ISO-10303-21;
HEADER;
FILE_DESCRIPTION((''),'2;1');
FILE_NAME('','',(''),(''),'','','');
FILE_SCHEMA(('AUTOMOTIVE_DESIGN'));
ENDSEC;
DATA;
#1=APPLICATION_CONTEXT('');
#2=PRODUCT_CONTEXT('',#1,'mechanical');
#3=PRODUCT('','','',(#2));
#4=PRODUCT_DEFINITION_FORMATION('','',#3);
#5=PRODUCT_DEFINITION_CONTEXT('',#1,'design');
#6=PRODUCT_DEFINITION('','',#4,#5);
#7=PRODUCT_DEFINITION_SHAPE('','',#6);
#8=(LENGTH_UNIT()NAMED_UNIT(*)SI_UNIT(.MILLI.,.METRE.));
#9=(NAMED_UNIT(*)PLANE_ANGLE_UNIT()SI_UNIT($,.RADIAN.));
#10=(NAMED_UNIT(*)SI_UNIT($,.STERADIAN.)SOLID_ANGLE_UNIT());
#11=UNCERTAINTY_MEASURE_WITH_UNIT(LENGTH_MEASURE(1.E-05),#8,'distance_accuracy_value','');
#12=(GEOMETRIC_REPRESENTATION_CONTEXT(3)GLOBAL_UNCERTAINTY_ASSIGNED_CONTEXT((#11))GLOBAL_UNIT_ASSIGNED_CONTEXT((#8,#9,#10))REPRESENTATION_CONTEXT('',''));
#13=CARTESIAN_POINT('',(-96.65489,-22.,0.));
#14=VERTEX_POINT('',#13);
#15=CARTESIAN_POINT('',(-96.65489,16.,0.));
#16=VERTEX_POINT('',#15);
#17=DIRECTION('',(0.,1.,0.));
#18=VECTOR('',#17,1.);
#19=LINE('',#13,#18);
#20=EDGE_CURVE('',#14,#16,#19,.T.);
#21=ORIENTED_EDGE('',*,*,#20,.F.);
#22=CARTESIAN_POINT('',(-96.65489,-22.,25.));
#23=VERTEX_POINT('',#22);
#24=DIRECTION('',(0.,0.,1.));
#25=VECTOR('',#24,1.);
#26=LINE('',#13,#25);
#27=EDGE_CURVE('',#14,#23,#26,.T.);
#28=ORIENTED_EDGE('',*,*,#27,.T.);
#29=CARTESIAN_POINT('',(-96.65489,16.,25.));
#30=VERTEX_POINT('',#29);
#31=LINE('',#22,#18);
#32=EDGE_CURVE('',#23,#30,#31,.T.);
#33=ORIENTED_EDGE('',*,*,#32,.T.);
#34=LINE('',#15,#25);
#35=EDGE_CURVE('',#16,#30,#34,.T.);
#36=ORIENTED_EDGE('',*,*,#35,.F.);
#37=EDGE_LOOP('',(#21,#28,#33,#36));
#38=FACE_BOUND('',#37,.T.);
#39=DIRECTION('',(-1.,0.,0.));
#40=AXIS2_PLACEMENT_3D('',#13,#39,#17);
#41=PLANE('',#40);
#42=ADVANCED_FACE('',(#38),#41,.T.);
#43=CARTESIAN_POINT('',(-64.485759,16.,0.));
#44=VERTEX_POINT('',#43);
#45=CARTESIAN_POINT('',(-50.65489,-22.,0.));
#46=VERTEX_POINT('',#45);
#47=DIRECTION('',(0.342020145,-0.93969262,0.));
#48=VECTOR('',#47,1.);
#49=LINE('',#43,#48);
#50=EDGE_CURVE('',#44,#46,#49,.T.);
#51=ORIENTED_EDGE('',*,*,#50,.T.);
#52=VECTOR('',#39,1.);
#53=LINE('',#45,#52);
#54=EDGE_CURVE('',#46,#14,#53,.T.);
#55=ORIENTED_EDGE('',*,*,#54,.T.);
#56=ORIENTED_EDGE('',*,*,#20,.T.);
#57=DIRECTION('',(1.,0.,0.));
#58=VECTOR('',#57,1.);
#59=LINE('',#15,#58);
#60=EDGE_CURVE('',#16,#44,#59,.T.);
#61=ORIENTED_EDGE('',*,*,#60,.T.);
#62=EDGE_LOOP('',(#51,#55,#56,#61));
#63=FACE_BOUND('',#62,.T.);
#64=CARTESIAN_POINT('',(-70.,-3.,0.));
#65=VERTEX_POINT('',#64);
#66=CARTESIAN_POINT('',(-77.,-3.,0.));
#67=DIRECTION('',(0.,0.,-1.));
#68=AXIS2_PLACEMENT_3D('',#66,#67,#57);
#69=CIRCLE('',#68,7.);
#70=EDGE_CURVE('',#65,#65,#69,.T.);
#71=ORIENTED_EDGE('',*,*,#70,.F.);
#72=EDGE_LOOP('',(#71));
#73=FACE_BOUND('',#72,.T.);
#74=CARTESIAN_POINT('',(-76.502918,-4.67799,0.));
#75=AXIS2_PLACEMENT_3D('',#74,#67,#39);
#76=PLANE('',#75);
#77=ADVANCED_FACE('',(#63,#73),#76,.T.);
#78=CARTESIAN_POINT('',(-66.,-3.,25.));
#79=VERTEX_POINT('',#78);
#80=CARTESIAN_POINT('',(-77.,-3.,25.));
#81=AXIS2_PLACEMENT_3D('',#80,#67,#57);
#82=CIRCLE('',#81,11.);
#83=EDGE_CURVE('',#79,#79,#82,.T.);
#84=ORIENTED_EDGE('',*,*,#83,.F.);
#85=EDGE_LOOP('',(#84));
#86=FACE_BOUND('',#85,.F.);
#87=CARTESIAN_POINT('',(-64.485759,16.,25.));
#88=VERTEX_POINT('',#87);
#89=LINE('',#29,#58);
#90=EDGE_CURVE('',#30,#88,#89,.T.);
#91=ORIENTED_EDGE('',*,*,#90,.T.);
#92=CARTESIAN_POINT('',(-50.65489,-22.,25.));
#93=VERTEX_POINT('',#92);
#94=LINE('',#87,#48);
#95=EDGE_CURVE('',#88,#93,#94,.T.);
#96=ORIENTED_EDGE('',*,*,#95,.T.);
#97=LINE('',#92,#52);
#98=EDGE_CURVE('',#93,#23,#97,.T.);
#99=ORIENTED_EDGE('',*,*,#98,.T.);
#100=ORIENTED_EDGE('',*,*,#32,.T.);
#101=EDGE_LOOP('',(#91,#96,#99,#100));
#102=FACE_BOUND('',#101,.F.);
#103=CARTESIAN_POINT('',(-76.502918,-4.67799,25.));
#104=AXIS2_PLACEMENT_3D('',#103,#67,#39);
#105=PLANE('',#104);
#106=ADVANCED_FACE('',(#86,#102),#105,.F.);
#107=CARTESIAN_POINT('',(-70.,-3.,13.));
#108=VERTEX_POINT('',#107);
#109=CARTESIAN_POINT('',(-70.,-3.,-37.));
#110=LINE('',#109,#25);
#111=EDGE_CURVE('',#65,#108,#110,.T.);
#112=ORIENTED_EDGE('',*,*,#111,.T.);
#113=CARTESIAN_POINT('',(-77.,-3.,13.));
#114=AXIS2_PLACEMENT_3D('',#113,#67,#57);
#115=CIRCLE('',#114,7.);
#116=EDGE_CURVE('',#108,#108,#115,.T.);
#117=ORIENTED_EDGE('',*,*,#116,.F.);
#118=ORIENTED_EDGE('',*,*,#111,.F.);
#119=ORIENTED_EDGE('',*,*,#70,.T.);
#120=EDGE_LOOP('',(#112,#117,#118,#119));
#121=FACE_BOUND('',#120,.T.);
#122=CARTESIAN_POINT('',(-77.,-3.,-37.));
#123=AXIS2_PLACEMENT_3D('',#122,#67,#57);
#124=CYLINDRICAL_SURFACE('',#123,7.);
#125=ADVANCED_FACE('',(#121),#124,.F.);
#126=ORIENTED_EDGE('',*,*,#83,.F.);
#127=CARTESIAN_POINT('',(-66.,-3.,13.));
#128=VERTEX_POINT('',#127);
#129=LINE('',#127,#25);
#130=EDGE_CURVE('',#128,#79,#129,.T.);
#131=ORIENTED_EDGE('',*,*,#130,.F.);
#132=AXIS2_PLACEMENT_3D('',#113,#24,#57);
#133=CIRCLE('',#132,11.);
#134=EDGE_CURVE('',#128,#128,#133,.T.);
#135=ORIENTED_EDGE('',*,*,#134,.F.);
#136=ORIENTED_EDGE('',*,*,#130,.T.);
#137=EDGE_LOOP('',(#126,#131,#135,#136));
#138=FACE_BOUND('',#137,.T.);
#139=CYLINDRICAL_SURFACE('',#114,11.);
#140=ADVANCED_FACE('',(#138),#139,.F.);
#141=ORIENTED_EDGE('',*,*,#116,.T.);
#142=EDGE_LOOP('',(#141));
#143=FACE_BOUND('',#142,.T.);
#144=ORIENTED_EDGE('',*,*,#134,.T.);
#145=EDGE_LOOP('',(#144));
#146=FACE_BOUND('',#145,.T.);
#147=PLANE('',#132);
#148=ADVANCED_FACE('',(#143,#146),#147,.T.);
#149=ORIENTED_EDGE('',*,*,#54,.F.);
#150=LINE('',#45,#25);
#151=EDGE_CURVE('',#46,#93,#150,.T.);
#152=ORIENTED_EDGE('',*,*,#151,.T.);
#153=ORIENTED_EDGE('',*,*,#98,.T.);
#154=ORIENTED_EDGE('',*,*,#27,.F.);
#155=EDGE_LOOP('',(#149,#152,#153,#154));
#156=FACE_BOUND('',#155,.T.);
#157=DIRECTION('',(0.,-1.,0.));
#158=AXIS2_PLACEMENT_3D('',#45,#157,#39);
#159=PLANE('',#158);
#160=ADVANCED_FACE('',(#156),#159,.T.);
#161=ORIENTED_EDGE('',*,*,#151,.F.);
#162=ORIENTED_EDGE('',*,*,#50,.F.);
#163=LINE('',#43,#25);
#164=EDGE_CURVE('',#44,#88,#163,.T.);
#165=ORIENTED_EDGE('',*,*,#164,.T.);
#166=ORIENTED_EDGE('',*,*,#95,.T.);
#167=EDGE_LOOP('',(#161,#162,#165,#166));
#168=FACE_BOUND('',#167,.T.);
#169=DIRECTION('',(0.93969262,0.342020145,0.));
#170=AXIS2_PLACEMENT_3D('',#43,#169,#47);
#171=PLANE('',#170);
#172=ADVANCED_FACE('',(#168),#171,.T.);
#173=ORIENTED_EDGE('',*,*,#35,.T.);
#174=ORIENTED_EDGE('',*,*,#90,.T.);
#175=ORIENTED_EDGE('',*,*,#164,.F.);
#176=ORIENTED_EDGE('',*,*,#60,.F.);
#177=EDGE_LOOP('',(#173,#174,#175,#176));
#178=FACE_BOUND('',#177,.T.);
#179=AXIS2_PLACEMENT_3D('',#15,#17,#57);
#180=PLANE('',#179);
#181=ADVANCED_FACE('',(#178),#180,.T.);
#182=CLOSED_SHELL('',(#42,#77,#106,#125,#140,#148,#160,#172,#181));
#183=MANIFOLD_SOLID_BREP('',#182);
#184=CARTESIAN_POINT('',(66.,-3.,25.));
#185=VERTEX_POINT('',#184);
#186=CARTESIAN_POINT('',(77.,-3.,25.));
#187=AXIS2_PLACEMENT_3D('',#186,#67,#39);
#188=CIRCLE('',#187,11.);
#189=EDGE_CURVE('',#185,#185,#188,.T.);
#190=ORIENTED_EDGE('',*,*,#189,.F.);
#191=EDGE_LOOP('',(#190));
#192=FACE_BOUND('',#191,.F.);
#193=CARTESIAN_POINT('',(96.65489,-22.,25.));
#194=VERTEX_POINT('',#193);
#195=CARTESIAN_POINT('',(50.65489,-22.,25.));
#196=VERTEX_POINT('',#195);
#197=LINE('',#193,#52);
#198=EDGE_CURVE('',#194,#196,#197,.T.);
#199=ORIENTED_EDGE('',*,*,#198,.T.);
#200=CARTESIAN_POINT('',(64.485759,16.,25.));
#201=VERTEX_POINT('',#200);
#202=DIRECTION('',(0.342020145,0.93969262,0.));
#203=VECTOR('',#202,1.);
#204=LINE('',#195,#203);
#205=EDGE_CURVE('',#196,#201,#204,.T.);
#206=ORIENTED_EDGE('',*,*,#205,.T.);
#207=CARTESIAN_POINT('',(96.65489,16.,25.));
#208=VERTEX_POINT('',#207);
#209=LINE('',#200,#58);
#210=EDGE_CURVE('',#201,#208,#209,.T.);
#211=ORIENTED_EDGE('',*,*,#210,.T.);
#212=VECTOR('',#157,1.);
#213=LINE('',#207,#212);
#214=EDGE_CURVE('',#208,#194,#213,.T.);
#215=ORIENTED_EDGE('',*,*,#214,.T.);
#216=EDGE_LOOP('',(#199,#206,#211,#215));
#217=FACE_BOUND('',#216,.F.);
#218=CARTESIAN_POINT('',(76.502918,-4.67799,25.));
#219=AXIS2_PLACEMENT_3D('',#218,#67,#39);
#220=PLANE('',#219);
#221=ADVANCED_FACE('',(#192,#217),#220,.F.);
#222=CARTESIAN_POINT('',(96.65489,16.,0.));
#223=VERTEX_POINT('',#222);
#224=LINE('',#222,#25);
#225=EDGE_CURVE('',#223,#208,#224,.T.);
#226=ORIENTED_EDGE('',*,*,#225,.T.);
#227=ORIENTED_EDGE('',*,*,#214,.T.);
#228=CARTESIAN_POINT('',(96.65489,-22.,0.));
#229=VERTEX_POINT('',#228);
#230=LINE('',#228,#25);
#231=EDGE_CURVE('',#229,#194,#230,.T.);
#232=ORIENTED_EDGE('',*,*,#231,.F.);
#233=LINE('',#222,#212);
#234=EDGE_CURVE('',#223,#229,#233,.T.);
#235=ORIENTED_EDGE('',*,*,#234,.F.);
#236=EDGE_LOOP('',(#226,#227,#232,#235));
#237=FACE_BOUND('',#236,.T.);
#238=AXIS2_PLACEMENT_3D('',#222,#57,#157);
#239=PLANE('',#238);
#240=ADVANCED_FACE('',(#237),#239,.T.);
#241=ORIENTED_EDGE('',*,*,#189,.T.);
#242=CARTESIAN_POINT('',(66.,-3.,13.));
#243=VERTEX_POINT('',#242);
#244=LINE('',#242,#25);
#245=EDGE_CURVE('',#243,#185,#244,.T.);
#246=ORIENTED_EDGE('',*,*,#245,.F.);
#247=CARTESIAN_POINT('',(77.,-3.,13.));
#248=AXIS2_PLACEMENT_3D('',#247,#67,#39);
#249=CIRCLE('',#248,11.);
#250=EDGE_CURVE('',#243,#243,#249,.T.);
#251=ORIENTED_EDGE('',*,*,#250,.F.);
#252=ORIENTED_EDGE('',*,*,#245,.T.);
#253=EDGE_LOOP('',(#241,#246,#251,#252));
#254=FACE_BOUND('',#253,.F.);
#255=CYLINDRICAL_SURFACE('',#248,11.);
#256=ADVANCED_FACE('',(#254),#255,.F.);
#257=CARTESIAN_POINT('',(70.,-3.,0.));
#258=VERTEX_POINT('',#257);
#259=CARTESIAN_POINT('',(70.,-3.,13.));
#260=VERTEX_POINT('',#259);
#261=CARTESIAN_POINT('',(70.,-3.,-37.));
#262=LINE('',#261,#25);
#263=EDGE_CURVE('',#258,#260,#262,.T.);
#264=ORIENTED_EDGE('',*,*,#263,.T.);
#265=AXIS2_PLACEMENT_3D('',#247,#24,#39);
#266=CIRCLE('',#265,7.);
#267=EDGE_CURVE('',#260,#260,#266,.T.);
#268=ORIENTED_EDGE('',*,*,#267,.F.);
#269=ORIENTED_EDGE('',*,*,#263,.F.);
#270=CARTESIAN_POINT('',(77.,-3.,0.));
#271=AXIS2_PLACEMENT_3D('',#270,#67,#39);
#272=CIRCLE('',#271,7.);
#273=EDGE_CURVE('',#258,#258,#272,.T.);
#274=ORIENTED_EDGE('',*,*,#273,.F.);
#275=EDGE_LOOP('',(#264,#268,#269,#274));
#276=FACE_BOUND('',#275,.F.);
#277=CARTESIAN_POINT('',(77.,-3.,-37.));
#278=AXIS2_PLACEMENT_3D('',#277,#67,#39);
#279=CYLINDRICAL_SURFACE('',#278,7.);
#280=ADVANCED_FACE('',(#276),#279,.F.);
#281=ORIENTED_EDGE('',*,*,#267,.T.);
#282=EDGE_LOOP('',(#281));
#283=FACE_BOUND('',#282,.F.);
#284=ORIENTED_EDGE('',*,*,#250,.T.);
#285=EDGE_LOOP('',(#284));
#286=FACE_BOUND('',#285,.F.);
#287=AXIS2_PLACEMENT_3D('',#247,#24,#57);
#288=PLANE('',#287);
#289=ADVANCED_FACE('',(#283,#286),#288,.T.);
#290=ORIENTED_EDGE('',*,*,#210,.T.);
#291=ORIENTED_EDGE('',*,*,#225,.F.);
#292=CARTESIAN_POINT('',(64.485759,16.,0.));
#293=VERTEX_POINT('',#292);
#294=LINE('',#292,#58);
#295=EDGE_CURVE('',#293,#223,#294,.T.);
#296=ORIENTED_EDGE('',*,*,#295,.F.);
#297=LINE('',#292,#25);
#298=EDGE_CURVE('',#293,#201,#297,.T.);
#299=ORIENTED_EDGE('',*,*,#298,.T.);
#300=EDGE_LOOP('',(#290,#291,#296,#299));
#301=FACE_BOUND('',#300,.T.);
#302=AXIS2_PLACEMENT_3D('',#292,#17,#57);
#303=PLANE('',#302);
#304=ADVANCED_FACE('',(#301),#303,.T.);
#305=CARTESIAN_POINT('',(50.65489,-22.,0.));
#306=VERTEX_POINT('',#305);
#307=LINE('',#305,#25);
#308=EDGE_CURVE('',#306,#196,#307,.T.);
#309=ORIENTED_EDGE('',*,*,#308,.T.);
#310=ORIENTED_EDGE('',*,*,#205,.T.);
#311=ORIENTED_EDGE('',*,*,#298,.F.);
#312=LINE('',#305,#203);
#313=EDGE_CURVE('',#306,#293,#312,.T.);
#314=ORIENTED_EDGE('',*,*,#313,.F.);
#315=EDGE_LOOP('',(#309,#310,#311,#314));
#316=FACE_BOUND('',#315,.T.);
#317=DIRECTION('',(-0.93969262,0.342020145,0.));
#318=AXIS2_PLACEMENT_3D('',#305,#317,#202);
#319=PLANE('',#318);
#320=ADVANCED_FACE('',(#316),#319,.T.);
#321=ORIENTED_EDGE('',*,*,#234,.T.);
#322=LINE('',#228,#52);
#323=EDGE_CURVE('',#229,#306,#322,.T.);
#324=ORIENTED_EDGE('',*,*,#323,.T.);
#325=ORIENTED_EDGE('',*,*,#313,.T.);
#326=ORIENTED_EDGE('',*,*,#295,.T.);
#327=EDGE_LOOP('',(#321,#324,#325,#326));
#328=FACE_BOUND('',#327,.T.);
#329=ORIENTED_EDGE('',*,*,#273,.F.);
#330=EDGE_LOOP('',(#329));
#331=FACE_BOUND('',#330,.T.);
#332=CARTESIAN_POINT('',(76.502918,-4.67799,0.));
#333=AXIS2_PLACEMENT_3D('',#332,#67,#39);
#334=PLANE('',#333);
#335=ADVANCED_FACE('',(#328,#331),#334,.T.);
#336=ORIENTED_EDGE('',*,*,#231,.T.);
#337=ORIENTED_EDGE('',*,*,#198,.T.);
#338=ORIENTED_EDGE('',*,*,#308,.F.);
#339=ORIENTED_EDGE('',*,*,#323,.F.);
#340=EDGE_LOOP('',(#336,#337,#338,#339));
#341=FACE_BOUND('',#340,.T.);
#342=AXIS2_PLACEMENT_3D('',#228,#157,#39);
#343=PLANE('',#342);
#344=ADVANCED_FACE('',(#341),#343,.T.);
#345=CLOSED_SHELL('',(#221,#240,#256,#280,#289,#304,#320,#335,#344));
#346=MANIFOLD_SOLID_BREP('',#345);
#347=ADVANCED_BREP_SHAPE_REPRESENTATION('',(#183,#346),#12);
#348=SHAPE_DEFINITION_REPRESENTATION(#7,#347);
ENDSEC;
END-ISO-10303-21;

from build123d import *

# Parameters (mm, degrees)
CYLINDER004_R     = 7
CYLINDER004_DEPTH = 150
CYLINDER003_R     = 11
CYLINDER003_DEPTH = 31
PAD011_DEPTH      = 25


with BuildPart() as axe:
    # Cylinder004 → Cylinder004 (new body)
    with BuildSketch(Plane.XY.offset(-50)):
        Circle(CYLINDER004_R)
    extrude(amount=CYLINDER004_DEPTH)


with BuildPart() as clone_of_ball_slider:
    # Cylinder003 → Cylinder003 (new body)
    with BuildSketch(Plane.XY):
        Circle(CYLINDER003_R)
    extrude(amount=CYLINDER003_DEPTH)

    # Fusion003: union axe
    add(axe.part)


with BuildPart() as clone_of_ball_slider_1:
    # Clone017 placement: moved
    add(clone_of_ball_slider.part.moved(Location((-77, -3, 13))))


with BuildPart() as part_mirroring002:
    # Part__Mirroring002: instance of Clone of ball slider
    add(clone_of_ball_slider_1.part.mirror(Plane(origin=(0, 0, 0), x_dir=(0, -1, 0), z_dir=(1, 0, 0))))


with BuildPart() as ball_sliders:
    # Fusion004 base: copy of Clone of ball slider
    add(clone_of_ball_slider_1.part)

    # Fusion004: union Part__Mirroring002
    add(part_mirroring002.part)


with BuildPart() as cut006005:
    # Sketch010 → Pad011 (new body)
    with BuildSketch(Plane.XY):
        Polygon((-96.65489, 16), (-64.485759, 16), (-50.65489, -22), (-96.65489, -22), align=None)
        Polygon((64.485759, 16), (96.65489, 16), (96.65489, -22), (50.65489, -22), align=None)
    extrude(amount=PAD011_DEPTH)

    # Cut006005: cut ball_sliders
    add(ball_sliders.part, mode=Mode.SUBTRACT)


solid = cut006005.part
